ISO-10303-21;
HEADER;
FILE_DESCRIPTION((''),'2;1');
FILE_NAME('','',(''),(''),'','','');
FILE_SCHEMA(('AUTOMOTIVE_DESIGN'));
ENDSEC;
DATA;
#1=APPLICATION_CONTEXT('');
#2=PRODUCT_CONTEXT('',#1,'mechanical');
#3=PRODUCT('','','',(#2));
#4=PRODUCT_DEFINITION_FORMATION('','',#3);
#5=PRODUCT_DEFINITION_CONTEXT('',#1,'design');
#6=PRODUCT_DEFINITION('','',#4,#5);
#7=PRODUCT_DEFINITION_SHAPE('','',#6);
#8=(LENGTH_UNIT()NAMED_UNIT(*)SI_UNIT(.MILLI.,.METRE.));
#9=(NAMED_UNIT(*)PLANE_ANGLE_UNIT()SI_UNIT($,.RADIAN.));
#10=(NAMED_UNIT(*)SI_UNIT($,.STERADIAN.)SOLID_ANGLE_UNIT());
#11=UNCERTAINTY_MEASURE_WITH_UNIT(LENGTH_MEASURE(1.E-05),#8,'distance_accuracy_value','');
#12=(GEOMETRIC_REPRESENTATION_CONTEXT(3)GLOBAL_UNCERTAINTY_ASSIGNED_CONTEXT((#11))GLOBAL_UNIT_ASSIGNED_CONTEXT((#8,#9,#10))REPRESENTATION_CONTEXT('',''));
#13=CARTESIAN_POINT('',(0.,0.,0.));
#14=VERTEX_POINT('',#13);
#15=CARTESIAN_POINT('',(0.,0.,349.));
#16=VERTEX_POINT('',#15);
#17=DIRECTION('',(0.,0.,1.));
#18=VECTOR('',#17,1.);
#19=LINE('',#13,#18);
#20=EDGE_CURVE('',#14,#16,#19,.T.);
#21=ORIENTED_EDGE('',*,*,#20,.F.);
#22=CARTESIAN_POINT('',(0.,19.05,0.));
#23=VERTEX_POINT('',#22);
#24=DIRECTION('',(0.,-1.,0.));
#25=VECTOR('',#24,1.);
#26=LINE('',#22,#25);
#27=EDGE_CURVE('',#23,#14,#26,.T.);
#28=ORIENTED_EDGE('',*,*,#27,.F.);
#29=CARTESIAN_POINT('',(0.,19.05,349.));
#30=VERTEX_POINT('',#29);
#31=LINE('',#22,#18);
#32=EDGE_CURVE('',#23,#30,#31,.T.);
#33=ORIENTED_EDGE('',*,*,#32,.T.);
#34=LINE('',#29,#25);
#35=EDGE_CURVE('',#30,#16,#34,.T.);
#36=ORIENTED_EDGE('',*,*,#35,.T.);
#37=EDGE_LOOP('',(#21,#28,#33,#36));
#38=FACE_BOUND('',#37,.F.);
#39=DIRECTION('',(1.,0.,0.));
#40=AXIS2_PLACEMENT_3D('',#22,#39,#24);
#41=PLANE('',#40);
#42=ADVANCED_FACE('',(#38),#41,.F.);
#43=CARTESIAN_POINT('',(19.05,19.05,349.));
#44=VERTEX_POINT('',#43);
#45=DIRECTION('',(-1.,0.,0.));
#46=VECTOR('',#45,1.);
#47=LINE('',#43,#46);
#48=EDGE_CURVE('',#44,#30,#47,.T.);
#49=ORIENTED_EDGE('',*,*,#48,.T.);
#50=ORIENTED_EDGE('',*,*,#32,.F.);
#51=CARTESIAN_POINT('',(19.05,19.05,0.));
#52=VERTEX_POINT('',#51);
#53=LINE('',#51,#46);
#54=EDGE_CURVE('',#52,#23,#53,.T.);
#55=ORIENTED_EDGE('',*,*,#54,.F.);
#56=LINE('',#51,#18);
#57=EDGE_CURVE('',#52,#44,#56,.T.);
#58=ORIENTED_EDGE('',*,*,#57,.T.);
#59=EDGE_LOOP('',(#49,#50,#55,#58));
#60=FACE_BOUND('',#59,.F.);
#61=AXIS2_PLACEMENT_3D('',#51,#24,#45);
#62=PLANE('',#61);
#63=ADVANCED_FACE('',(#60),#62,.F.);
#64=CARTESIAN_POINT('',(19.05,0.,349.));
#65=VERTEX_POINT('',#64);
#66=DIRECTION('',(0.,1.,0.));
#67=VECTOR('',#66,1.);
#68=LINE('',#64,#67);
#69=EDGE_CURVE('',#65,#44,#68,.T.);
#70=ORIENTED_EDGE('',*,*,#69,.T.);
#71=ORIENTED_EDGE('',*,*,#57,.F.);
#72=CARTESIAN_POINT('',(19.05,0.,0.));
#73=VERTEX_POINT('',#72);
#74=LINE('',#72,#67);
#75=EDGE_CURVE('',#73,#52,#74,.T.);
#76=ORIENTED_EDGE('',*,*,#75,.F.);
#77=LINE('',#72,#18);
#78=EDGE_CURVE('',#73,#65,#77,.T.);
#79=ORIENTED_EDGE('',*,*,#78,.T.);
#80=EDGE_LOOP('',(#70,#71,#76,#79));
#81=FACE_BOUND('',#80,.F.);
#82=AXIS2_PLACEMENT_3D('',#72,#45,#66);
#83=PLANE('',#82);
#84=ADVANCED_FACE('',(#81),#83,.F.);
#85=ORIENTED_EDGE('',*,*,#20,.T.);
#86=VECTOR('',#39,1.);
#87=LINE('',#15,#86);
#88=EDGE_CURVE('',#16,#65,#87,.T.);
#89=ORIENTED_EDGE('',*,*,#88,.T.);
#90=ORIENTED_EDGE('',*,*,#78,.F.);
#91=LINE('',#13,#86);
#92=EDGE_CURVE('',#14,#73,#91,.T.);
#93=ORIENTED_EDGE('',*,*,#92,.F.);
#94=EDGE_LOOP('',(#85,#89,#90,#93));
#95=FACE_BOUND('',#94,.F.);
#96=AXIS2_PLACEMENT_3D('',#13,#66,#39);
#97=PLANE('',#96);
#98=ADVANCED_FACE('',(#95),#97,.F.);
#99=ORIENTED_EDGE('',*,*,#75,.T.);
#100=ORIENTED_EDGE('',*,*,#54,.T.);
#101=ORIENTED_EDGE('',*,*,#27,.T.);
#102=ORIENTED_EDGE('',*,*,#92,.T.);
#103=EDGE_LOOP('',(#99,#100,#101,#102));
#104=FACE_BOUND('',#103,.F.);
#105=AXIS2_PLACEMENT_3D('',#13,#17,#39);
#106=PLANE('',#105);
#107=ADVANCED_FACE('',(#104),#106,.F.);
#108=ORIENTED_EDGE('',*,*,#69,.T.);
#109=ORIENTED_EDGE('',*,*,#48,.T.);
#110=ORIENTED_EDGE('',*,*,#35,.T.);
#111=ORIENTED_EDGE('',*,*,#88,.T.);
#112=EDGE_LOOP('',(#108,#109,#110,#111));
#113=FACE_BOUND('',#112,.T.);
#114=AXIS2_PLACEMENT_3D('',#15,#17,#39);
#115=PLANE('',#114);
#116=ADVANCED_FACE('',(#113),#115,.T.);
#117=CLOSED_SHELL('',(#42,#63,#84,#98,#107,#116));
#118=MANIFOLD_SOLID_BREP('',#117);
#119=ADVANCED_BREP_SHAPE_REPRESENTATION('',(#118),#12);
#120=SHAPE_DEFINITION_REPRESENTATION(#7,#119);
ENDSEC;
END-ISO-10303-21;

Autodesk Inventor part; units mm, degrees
ref_plane "YZ Plane" through (0, 0, 0) normal (1, 0, 0) x (0, 1, 0)
ref_plane "XZ Plane" through (0, 0, 0) normal (0, 1, 0) x (-1, 0, 0)
ref_plane "XY Plane" through (0, 0, 0) normal (0, 0, 1) x (1, 0, 0)
sketch "Sketch1" plane through (0, 0, 0) normal (0, 0, 1) x (1, 0, 0)
  line L0 (0, 0) -> (19.05, 0)
  line L1 (19.05, 0) -> (19.05, 19.05)
  line L2 (19.05, 19.05) -> (0, 19.05)
  line L3 (0, 19.05) -> (0, 0)
  dimension "d0" = 19.05
  dimension "d1" = 19.05
extrude "Extrusion1" add sketch "Sketch1" along normal blind 349
properties part number "C013" material "Wood (Birch)"
